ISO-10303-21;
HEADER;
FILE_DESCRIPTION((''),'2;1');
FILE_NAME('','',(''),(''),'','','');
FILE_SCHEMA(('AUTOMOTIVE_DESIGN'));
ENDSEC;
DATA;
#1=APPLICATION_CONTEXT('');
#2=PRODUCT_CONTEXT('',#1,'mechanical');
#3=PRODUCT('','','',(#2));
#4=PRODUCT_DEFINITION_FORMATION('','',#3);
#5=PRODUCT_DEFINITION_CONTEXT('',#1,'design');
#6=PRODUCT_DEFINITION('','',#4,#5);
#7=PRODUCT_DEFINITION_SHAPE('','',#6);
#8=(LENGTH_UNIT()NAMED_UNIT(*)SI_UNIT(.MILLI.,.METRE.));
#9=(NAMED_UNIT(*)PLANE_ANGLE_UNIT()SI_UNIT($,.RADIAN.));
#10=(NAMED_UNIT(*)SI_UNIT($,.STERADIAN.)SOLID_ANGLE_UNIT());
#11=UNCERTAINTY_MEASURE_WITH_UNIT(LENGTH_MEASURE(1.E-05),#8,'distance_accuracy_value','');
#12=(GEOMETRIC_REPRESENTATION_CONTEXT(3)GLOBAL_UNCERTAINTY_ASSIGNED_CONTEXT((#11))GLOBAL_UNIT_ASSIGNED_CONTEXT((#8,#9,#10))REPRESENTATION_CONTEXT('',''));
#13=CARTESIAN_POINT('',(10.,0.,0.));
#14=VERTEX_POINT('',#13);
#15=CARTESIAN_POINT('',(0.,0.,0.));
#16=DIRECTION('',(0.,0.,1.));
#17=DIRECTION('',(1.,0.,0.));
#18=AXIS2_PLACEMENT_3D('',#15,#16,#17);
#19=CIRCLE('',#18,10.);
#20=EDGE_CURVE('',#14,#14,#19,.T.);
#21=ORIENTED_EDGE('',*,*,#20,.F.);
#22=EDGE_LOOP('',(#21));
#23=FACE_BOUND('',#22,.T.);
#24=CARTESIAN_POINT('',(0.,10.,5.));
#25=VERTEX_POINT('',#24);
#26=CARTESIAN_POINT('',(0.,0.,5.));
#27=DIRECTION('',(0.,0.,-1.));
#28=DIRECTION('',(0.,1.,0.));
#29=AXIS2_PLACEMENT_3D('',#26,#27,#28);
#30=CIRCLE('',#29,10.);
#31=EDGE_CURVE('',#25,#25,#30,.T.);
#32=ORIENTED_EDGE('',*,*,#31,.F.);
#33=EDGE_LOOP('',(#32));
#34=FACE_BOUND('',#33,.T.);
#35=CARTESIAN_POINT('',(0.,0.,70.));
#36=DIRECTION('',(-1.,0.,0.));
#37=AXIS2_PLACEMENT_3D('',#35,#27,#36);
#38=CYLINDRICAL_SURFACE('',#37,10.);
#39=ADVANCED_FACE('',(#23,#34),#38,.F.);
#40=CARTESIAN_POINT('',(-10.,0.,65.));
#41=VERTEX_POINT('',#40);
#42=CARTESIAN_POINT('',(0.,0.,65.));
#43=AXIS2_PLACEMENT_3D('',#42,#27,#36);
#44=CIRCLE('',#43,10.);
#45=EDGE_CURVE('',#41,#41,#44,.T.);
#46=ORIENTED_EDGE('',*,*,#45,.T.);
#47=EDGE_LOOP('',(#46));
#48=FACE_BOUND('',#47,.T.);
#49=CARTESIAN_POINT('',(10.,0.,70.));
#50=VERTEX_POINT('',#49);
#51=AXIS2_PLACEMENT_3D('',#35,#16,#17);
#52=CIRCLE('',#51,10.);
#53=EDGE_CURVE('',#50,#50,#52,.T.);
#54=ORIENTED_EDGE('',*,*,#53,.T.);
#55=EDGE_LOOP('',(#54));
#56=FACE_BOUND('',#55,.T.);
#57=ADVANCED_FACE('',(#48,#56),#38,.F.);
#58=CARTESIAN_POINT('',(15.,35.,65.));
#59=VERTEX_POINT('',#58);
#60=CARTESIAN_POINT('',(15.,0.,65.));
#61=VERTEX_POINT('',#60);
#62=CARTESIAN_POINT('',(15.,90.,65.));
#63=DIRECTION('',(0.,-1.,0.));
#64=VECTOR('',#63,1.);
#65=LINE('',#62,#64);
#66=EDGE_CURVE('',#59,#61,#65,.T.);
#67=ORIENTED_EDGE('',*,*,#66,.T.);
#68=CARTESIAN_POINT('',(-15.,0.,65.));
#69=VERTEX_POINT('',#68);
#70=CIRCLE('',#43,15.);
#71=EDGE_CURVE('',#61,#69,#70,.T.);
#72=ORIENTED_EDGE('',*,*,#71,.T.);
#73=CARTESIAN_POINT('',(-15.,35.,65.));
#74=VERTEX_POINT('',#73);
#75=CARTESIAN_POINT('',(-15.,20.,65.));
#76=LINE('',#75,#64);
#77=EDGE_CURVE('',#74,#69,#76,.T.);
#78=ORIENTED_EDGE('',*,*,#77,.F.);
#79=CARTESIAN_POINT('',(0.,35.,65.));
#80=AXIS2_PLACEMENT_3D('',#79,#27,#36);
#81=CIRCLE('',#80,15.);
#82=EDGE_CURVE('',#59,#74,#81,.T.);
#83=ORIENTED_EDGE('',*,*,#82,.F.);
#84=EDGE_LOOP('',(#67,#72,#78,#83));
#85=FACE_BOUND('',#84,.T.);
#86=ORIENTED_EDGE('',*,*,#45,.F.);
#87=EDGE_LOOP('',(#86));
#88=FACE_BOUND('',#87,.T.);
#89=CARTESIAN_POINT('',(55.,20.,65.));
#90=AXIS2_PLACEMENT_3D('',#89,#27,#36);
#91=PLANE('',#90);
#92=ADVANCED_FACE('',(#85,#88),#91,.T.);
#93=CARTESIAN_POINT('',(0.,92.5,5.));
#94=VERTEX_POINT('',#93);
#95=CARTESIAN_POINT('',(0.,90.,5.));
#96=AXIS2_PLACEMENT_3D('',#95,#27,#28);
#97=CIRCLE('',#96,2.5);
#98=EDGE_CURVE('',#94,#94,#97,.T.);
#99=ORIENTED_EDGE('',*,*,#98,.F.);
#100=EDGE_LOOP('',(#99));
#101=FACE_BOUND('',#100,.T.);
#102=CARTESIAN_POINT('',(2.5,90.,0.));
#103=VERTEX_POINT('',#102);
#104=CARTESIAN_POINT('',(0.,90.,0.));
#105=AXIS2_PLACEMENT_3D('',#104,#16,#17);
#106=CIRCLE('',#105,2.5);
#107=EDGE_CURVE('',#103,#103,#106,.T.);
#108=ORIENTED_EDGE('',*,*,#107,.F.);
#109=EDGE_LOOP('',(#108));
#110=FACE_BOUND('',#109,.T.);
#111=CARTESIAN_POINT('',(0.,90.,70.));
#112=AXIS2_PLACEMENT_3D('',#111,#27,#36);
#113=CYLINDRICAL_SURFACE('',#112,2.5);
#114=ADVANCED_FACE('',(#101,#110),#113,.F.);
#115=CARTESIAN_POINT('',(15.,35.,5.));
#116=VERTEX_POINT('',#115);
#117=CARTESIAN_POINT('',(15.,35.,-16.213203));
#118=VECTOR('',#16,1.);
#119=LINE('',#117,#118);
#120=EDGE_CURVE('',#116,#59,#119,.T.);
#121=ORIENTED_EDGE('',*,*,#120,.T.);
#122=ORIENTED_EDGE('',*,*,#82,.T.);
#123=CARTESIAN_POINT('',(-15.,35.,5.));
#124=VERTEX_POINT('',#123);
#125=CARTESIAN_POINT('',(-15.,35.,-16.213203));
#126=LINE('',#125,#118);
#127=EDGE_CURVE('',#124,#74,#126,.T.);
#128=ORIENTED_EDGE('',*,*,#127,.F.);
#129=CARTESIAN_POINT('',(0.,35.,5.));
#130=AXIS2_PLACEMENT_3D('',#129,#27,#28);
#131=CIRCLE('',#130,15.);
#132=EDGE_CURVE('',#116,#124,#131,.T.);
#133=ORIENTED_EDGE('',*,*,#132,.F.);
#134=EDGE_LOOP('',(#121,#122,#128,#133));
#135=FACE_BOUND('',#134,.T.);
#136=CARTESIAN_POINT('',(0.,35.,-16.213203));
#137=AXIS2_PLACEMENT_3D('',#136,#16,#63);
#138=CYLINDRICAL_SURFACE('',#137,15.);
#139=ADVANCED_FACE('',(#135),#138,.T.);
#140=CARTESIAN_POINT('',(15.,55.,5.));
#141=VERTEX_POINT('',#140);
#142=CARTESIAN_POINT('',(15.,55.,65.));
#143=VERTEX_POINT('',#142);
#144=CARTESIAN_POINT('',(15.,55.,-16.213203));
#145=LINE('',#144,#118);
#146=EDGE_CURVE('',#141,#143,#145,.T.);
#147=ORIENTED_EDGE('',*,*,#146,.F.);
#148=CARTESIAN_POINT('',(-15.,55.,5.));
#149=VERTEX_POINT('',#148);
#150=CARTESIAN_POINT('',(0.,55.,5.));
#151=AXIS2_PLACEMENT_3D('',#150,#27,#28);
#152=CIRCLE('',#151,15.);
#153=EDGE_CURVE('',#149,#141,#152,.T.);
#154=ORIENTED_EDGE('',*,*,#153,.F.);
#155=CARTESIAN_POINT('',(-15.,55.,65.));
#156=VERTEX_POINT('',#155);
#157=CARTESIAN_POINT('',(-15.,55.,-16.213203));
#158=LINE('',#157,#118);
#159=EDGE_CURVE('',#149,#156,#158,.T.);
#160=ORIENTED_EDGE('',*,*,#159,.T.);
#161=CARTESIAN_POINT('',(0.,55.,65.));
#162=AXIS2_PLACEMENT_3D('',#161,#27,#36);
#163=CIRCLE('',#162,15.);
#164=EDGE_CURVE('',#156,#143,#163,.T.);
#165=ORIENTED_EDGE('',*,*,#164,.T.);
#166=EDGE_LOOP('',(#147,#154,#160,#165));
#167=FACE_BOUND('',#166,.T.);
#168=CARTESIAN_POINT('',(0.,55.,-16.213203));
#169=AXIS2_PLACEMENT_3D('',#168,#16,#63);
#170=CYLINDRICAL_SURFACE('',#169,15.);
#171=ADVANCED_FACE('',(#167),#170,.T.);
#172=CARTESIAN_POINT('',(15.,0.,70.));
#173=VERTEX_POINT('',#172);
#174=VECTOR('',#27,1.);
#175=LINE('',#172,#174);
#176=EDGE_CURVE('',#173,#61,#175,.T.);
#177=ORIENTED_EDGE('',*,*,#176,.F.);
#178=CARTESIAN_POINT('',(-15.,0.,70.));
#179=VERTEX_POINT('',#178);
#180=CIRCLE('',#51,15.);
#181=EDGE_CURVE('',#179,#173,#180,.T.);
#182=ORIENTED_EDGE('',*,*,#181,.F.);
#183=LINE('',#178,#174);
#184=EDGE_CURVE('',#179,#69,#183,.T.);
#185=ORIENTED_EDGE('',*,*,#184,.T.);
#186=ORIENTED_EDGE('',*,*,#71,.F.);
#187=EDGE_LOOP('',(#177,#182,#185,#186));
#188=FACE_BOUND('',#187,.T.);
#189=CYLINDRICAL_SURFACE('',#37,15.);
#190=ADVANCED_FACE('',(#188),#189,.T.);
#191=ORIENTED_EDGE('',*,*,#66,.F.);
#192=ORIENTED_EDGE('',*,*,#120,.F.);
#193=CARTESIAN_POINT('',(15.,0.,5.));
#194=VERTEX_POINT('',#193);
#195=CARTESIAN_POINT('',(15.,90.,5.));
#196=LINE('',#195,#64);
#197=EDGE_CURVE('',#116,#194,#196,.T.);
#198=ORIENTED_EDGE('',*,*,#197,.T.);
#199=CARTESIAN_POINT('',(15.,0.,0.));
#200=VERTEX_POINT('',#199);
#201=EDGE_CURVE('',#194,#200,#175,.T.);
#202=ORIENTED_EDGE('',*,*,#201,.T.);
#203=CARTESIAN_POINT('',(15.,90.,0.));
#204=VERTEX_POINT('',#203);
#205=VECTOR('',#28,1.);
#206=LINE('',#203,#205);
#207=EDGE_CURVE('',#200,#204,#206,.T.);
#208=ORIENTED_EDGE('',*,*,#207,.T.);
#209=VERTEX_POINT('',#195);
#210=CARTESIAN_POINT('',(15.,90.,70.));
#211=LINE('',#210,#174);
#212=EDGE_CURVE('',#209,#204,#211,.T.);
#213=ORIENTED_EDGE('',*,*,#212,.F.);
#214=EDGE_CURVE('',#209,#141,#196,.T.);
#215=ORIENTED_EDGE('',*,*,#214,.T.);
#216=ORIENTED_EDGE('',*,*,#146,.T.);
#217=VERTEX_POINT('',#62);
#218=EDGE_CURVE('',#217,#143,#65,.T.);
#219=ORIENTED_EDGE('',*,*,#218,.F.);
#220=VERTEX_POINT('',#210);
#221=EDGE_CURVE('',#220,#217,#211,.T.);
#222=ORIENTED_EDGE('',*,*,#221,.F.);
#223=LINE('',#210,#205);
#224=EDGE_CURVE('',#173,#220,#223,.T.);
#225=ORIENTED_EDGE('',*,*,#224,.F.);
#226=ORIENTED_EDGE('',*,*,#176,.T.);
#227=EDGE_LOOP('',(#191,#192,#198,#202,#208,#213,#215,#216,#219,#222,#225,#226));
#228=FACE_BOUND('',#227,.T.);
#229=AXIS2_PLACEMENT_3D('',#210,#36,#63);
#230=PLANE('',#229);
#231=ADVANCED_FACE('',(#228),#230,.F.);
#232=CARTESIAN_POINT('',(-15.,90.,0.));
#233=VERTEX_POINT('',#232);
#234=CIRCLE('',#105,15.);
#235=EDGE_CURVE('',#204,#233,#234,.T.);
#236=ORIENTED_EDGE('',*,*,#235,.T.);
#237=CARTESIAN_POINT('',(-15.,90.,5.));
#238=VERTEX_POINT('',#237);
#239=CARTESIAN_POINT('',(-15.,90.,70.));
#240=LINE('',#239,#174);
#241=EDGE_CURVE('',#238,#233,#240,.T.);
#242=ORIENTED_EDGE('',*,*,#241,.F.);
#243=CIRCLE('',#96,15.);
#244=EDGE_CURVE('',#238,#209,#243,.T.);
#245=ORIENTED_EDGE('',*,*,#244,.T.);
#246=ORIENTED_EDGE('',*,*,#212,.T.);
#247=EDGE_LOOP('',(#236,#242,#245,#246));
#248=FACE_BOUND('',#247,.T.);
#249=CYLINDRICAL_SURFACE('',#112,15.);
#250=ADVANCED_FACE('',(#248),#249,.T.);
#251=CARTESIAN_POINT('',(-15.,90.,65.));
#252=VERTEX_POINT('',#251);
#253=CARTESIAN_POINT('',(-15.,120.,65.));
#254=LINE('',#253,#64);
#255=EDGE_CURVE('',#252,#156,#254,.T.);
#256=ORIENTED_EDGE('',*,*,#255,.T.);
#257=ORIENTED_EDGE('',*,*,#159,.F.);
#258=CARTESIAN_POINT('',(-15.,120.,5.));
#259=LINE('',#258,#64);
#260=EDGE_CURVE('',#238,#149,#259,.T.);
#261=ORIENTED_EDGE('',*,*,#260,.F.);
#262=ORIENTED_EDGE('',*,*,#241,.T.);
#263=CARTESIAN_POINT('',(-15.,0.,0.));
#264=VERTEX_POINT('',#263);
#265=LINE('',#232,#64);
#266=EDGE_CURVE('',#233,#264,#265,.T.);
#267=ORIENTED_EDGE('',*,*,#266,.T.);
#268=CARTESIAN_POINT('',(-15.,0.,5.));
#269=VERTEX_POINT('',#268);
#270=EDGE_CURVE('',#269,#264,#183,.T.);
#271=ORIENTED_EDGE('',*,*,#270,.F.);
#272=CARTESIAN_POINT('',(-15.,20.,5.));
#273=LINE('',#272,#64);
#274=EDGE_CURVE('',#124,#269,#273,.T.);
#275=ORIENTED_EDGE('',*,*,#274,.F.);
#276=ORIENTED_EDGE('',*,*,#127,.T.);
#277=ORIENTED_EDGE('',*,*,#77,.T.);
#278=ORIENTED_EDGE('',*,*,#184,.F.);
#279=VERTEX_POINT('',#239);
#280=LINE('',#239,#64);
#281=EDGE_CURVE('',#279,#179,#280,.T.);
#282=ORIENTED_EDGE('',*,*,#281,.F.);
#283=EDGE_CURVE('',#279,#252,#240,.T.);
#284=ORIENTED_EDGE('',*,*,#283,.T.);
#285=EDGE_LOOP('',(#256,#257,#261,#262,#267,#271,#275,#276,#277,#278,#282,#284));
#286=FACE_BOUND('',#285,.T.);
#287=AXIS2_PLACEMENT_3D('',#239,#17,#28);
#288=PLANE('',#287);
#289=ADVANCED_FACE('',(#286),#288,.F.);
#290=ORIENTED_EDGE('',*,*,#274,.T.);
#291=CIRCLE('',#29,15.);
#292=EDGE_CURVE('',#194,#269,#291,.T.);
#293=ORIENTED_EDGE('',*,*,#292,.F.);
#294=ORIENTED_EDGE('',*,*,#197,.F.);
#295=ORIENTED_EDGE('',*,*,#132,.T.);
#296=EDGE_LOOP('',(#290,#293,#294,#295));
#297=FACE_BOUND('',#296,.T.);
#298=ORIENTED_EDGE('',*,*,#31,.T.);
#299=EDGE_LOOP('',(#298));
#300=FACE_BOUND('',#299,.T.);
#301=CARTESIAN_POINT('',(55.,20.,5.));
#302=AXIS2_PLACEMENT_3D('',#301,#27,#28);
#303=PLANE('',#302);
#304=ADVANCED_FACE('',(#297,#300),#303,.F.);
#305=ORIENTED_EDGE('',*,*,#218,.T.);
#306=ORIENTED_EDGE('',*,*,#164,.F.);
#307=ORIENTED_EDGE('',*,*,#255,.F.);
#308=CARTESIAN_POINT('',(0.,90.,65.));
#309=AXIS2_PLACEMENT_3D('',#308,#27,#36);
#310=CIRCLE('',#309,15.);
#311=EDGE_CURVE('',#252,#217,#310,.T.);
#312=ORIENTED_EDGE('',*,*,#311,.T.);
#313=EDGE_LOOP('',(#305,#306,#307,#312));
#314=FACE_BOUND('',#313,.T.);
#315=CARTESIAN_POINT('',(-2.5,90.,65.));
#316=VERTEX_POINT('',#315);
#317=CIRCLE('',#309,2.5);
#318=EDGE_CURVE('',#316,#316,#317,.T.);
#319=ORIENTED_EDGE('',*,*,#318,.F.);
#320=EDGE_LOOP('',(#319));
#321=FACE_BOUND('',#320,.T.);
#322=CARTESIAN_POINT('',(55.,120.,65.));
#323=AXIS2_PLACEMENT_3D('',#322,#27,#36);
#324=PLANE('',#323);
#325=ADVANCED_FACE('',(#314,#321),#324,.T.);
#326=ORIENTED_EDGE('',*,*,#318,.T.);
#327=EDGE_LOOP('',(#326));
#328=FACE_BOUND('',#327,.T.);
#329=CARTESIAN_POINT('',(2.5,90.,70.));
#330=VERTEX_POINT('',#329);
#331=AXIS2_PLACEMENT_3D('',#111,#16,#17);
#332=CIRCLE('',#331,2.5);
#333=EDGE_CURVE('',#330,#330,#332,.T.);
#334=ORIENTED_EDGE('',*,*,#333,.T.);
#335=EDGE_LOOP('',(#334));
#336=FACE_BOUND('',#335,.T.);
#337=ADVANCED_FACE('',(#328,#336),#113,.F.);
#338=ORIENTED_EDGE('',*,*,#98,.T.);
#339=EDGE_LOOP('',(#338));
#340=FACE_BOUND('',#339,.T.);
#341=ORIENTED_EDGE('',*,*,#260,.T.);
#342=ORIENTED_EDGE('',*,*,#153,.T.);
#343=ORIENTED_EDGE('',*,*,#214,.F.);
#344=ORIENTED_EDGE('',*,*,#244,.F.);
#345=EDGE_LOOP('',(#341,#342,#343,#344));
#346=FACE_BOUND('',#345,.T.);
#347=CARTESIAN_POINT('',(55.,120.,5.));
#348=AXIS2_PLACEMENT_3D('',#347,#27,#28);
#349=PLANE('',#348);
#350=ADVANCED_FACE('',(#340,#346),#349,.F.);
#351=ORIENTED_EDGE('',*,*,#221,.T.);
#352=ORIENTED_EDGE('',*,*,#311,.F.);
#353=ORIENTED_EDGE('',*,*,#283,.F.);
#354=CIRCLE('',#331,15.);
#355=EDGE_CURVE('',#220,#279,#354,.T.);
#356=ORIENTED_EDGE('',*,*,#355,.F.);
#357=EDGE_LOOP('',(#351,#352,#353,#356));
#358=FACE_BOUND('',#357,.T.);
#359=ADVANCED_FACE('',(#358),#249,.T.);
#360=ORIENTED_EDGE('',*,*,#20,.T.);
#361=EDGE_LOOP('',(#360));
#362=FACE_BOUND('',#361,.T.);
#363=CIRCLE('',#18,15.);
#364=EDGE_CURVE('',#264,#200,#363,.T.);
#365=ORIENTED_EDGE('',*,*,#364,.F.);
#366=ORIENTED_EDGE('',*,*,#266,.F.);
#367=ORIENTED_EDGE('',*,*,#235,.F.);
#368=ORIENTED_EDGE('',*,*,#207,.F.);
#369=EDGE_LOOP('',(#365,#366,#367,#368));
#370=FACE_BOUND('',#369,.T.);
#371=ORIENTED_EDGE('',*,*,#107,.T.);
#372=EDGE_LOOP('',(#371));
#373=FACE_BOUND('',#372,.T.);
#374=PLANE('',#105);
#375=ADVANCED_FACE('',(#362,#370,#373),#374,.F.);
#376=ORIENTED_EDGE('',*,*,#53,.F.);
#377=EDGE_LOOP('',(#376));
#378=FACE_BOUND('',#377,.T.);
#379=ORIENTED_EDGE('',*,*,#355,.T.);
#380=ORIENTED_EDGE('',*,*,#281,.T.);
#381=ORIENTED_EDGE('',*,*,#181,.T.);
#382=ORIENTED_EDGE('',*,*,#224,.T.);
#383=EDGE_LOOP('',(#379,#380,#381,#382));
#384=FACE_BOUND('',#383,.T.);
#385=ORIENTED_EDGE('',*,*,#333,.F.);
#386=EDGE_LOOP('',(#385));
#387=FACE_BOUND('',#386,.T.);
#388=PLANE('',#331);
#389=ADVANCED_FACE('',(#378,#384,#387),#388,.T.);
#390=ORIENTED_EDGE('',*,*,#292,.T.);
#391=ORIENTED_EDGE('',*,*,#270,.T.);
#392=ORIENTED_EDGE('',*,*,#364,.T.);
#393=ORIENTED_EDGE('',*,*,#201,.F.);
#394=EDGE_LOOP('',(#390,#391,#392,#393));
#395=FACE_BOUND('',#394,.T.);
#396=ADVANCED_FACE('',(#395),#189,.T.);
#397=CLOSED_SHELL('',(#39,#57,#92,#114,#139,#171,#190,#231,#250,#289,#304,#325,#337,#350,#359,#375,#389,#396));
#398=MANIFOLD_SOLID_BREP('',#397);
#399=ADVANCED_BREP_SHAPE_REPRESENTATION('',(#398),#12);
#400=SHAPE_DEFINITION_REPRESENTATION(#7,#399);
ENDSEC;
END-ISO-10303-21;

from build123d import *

# Parameters (mm, degrees)
SKETCH_1_R          = 10
SKETCH_1_R_2        = 2.5
EXTRUDE_1_DEPTH     = 70
SKETCH_2_W          = 60
SKETCH_2_H          = 40
SKETCH_2_H_2        = 50
CUT_EXTRUDE_1_DEPTH = 70
CUT_EXTRUDE_2_DEPTH = 60


with BuildPart() as part:
    # 草图1 → 凸台-拉伸1 (new body)
    with BuildSketch(Plane.XY):
        with BuildLine():
            Line((-15, 90), (-15, 0))
            ThreePointArc((-15, 0), (0, -15), (15, 0))
            Line((15, 0), (15, 90))
            ThreePointArc((15, 90), (0, 105), (-15, 90))
        make_face()
        Circle(SKETCH_1_R, mode=Mode.SUBTRACT)
        with Locations((0, 90)):
            Circle(SKETCH_1_R_2, mode=Mode.SUBTRACT)
    extrude(amount=EXTRUDE_1_DEPTH)

    # 草图2 → 切除-拉伸1 (cut)
    with BuildSketch(Plane.ZY.offset(15)):
        with Locations((35, 0)):
            Rectangle(SKETCH_2_W, SKETCH_2_H)
        with Locations((35, 95)):
            Rectangle(SKETCH_2_W, SKETCH_2_H_2)
    extrude(amount=-CUT_EXTRUDE_1_DEPTH, mode=Mode.SUBTRACT)

    # 草图3 → 切除-拉伸2 (cut)
    with BuildSketch(Plane(origin=(0, 0, 65), x_dir=(-1, 0, 0), z_dir=(0, 0, -1))):
        with BuildLine():
            Line((15, 55), (15, 70))
            Line((15, 70), (1.38e-07, 70))
            ThreePointArc((1.38e-07, 70), (10.606601767, 65.606601669), (15, 55))
        make_face()
        with BuildLine():
            ThreePointArc((-15, 55), (-10.606601669, 65.606601767), (1.38e-07, 70))
            Line((1.38e-07, 70), (-15, 70))
            Line((-15, 70), (-15, 55))
        make_face()
        with BuildLine():
            ThreePointArc((0, 20), (-10.606601718, 24.393398282), (-15, 35))
            Line((-15, 35), (-15, 20))
            Line((-15, 20), (0, 20))
        make_face()
        with BuildLine():
            ThreePointArc((15, 35), (10.606601718, 24.393398282), (0, 20))
            Line((0, 20), (15, 20))
            Line((15, 20), (15, 35))
        make_face()
    extrude(amount=CUT_EXTRUDE_2_DEPTH, mode=Mode.SUBTRACT)


solid = part.part
